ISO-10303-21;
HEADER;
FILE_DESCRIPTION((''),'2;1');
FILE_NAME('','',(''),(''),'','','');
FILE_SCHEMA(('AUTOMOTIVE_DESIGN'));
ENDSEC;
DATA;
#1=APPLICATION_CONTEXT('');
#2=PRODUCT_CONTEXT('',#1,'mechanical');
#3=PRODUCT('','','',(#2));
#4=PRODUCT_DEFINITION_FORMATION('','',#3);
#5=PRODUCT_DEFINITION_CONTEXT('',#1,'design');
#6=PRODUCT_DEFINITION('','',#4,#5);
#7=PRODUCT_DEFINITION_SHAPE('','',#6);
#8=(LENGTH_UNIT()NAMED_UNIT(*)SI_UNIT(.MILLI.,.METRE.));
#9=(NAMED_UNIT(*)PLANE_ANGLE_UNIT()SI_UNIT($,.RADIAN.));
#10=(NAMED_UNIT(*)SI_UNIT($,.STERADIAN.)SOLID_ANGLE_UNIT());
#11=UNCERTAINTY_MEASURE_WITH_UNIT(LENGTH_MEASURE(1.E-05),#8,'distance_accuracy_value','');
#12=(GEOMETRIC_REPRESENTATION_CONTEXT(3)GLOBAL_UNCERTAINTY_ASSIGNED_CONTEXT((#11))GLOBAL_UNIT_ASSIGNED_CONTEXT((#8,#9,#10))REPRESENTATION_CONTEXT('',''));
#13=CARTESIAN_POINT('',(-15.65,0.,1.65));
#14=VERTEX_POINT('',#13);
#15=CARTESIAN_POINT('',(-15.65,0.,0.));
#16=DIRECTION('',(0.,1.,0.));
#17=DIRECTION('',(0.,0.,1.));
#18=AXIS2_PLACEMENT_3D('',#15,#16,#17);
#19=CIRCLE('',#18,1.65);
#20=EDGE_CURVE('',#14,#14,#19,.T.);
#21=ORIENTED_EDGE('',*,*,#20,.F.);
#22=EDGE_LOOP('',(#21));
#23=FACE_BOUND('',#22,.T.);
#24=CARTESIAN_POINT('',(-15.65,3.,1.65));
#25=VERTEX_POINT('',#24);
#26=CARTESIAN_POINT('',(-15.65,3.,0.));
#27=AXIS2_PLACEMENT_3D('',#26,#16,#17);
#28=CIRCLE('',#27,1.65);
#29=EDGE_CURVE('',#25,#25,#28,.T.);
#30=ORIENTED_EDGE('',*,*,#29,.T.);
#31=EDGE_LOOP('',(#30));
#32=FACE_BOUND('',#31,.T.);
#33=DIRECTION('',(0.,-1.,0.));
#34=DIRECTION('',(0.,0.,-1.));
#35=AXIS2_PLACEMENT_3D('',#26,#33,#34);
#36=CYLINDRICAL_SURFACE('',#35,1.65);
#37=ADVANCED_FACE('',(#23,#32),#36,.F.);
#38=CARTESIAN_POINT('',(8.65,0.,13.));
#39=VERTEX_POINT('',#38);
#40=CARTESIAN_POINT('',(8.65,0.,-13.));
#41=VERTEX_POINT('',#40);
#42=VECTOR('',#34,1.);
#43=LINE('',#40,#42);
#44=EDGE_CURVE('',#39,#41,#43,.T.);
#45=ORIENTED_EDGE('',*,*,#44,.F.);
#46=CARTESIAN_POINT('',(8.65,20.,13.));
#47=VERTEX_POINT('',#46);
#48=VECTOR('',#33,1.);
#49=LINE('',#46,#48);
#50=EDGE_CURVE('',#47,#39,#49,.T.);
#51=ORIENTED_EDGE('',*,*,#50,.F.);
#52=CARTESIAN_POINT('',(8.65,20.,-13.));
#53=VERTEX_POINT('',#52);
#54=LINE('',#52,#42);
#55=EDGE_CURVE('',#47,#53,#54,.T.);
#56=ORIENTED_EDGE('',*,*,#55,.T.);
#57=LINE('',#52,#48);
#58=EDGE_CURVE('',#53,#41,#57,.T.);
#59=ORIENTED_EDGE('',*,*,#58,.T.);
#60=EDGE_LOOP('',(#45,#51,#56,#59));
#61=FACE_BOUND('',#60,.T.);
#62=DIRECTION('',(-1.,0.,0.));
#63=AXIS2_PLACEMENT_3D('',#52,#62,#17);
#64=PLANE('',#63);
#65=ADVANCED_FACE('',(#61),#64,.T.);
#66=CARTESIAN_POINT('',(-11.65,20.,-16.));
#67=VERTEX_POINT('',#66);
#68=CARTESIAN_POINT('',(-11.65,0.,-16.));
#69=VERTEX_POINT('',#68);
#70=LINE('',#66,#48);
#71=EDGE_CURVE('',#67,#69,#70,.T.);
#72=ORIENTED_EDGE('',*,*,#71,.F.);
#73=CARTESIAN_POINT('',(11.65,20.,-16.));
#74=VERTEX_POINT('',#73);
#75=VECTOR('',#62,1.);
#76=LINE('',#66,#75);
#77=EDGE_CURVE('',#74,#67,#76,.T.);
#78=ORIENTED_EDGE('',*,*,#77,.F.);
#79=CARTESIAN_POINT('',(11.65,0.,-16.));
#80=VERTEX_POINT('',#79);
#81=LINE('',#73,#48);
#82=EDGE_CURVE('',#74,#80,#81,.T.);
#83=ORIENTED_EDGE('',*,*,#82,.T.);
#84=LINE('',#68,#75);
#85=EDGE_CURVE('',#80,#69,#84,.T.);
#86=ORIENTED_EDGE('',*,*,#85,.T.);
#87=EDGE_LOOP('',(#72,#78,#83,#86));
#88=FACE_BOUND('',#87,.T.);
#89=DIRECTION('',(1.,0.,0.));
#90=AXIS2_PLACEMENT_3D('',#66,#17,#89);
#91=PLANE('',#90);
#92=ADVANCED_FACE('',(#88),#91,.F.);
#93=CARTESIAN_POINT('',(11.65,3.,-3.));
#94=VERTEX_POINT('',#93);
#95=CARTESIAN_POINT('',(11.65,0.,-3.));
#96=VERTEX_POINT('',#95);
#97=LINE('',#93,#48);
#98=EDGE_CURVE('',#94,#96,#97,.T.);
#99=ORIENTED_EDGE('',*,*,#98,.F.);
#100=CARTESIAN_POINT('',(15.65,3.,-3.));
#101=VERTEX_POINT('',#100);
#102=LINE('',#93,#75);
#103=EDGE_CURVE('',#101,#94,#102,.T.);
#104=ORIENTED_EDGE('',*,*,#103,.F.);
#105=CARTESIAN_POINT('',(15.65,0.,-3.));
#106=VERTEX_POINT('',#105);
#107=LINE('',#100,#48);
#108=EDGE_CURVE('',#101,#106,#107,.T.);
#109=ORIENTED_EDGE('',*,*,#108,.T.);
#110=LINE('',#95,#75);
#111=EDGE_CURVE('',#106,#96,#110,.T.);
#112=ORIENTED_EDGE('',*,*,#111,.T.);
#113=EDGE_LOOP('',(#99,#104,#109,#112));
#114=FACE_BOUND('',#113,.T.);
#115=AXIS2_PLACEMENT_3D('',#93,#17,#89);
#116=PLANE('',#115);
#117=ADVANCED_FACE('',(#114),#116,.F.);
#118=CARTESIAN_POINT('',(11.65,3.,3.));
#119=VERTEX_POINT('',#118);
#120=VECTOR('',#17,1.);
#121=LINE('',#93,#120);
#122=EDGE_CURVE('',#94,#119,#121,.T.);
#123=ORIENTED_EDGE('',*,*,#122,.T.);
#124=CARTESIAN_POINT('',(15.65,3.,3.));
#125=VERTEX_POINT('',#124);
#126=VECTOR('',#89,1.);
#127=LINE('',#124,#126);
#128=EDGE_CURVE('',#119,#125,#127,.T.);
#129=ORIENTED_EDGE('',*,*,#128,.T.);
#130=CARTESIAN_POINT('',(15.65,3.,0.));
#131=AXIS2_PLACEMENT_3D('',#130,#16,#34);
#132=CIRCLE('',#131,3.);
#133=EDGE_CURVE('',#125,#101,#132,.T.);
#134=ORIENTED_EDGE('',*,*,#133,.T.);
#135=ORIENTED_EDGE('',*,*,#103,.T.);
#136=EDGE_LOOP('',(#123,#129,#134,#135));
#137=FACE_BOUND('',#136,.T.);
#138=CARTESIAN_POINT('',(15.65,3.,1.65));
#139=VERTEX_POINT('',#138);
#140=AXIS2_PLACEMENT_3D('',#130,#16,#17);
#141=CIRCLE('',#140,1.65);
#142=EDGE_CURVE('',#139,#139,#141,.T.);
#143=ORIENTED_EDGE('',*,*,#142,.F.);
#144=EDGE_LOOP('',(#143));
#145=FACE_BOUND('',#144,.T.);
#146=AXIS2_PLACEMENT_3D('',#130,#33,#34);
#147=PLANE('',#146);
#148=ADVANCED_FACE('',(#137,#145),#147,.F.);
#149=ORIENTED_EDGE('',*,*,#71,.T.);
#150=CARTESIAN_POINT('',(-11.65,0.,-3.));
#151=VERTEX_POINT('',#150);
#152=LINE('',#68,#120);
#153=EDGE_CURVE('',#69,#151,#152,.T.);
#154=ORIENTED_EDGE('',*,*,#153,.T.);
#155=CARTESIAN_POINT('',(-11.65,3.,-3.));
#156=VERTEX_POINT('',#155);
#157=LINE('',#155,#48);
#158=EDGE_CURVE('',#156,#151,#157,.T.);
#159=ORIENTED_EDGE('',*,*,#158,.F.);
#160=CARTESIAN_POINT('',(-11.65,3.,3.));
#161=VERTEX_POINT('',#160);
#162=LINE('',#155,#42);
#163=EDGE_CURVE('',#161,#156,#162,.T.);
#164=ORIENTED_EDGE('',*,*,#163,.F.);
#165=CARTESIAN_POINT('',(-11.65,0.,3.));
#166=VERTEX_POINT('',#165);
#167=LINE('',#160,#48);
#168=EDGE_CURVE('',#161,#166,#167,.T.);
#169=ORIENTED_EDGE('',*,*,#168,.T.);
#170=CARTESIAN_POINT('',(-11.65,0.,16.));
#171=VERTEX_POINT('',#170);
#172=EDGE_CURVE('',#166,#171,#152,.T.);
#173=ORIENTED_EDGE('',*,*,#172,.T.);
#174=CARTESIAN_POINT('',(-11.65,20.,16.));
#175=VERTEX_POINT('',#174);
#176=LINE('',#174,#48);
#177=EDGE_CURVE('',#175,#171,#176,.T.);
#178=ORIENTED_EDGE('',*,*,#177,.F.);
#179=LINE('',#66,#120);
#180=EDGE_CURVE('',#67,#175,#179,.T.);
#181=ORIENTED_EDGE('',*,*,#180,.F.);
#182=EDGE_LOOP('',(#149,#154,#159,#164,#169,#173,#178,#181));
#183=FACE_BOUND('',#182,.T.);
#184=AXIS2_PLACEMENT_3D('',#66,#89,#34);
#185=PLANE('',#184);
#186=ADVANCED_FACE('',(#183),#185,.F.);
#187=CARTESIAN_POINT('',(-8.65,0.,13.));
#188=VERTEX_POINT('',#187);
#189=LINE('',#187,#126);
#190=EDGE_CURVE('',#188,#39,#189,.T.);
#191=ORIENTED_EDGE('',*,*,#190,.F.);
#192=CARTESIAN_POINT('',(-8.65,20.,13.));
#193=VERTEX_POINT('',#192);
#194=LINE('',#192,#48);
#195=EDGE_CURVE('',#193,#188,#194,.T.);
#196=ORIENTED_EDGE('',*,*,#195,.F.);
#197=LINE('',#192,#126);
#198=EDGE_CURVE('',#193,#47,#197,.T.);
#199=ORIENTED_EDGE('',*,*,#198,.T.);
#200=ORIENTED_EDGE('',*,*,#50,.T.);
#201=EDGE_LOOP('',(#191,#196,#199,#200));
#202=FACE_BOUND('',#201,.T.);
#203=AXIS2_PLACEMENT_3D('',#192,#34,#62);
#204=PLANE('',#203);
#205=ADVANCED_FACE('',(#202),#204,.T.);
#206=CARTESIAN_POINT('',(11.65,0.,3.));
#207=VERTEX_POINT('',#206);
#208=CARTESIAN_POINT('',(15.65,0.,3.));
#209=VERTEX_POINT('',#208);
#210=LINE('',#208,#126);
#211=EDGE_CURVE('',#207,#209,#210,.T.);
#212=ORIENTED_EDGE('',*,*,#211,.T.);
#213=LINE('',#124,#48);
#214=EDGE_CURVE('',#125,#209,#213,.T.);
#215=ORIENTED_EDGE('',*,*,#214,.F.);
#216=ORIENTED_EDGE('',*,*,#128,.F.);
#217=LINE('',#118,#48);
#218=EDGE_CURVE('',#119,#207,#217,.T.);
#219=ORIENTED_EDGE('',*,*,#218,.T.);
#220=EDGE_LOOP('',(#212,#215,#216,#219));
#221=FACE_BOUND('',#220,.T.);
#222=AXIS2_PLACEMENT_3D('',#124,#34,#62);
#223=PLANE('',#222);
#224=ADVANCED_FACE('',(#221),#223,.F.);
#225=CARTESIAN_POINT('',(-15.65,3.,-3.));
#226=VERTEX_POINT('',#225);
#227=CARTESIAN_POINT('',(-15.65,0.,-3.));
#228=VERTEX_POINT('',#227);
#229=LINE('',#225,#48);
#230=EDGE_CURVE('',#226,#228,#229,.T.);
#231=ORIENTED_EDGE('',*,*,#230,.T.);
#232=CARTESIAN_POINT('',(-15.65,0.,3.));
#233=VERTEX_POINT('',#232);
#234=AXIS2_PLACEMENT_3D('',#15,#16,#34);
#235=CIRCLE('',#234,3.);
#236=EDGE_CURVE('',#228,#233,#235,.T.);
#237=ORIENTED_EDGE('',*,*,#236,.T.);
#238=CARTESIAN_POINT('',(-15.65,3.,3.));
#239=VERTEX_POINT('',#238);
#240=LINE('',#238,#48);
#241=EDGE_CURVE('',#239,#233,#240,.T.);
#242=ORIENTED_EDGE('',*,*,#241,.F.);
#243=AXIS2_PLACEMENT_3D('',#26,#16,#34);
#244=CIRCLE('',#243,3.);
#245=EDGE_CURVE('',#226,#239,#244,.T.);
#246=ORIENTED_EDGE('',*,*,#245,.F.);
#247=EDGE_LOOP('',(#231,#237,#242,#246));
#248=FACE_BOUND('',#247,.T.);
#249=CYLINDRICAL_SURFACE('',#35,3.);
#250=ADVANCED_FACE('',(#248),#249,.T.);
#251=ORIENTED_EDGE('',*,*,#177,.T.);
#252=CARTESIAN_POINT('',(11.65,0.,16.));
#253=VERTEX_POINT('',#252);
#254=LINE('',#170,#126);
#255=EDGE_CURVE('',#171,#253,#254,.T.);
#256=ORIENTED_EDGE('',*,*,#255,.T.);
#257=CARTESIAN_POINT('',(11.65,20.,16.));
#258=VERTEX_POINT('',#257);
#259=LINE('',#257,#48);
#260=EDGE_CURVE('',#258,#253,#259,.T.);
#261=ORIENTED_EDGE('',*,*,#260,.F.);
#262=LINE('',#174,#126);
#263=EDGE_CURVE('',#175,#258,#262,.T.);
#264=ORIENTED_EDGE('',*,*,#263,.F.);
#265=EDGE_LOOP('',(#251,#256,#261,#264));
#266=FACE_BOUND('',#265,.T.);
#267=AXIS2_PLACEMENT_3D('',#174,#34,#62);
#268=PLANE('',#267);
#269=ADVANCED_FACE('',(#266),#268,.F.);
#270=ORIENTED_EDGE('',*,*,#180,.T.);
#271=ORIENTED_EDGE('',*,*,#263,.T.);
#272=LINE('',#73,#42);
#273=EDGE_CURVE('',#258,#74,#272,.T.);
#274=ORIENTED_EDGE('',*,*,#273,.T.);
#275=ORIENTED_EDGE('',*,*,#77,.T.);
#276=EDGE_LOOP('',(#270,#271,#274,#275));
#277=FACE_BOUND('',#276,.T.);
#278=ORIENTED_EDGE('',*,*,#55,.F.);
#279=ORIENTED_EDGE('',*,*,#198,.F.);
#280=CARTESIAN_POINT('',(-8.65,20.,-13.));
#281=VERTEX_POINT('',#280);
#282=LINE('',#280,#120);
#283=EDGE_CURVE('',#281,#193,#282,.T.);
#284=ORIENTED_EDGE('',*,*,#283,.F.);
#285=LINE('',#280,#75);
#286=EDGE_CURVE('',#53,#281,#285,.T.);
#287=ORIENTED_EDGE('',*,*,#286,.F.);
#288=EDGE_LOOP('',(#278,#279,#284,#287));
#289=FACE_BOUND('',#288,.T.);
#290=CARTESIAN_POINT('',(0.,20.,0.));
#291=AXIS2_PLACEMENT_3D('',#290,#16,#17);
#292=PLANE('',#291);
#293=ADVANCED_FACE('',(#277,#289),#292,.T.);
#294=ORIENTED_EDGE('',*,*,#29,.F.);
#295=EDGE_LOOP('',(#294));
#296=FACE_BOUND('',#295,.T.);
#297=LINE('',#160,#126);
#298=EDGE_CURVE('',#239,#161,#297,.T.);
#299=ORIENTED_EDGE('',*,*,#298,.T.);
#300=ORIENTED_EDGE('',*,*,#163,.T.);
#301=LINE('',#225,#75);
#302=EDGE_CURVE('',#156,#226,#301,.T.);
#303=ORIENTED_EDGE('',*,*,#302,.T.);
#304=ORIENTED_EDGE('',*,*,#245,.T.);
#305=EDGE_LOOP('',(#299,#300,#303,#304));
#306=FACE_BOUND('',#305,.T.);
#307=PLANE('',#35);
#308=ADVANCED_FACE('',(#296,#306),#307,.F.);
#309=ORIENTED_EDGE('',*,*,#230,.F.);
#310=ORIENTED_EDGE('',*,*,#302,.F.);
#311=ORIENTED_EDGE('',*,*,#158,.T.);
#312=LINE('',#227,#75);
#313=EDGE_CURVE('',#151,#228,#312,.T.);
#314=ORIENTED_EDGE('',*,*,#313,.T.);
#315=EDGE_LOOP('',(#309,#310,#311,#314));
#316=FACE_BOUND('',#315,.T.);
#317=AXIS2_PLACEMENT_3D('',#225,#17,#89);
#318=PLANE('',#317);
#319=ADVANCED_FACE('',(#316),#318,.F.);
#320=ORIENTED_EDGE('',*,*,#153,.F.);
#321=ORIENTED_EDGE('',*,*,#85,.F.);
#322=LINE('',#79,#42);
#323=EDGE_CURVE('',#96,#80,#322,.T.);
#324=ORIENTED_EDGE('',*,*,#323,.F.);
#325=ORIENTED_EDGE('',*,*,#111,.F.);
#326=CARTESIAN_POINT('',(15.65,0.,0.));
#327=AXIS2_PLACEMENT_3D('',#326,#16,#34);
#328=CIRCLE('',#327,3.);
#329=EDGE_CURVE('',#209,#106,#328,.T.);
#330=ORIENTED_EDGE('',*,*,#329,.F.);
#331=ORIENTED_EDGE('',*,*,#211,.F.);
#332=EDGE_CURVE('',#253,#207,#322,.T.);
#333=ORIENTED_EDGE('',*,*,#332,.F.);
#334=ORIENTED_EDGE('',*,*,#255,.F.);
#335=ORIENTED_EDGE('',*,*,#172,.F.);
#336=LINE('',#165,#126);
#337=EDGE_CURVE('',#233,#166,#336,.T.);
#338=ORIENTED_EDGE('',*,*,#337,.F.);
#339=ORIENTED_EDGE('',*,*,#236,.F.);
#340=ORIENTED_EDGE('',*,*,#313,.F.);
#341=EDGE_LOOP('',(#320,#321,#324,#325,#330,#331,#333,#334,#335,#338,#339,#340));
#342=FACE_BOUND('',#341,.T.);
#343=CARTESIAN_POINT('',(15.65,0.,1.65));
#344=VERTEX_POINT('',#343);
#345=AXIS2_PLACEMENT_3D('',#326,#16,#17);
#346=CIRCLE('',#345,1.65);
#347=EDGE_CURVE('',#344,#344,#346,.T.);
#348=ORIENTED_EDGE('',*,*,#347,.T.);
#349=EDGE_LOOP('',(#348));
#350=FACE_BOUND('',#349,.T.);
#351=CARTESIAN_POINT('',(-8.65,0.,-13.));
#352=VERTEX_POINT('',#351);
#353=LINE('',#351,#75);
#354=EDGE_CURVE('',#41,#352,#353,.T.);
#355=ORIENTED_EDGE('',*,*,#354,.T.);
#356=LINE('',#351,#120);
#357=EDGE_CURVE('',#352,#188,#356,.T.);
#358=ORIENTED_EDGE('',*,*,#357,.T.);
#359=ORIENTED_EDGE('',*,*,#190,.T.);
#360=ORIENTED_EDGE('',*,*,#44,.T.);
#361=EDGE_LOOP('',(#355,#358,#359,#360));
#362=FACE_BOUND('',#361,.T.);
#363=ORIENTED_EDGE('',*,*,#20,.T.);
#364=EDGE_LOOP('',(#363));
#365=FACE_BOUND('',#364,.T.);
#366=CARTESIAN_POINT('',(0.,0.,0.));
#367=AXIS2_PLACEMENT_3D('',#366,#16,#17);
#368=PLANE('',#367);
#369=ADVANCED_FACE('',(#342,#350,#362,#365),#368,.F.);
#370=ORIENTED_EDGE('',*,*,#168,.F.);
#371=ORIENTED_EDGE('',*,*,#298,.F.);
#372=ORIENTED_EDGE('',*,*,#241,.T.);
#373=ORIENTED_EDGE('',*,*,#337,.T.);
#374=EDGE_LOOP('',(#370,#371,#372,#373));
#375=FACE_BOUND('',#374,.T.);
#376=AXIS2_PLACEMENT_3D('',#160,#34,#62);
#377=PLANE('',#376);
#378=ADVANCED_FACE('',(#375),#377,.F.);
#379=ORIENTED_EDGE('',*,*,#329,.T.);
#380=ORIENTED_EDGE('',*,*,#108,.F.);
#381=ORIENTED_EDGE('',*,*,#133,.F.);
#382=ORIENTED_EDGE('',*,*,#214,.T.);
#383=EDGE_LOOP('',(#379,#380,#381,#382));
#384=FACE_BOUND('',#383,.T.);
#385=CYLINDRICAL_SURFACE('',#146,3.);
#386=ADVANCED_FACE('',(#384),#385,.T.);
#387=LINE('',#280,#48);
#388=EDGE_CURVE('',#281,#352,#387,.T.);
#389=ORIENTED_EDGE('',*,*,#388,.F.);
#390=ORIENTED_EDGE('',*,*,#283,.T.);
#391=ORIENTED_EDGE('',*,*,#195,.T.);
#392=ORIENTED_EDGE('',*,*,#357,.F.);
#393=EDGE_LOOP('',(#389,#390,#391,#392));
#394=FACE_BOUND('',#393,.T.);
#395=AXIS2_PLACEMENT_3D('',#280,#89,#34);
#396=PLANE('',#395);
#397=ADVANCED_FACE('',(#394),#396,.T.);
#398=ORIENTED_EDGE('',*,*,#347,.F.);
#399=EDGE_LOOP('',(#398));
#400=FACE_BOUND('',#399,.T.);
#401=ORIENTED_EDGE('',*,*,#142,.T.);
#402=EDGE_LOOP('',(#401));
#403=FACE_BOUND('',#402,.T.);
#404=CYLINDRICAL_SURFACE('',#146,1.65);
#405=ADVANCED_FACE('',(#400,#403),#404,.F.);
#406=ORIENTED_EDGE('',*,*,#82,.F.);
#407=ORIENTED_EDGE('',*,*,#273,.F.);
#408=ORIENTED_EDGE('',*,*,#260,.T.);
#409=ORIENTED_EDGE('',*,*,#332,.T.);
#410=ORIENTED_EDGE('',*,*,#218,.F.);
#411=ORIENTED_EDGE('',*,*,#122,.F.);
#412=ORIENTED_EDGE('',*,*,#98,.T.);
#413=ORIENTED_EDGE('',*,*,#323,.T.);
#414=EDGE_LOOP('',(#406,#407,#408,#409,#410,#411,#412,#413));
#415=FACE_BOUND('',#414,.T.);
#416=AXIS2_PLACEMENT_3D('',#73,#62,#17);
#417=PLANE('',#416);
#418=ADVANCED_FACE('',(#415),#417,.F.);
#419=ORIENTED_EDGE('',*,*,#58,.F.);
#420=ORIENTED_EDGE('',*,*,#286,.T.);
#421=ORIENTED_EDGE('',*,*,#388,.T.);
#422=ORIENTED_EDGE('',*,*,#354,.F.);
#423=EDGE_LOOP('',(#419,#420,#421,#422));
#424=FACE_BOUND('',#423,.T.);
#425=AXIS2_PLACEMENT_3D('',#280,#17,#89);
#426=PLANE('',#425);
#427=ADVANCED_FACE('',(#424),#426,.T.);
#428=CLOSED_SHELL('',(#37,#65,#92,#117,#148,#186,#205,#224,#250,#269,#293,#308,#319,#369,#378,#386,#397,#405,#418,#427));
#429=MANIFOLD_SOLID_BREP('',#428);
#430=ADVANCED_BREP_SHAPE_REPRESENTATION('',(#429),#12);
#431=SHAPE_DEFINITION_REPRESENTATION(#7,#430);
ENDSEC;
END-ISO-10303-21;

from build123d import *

# Parameters (mm, degrees)
SKETCH1_W           = 23.3
SKETCH1_H           = 32
SKETCH1_W_2         = 17.3
SKETCH1_H_2         = 26
BOSS_EXTRUDE1_DEPTH = 20
SKETCH3_R           = 1.65
BOSS_EXTRUDE2_DEPTH = 3


with BuildPart() as part:
    # Sketch1 → Boss-Extrude1 (new body)
    with BuildSketch(Plane(origin=(0, 0, 0), x_dir=(1, 0, 0), z_dir=(0, 1, 0))):
        Rectangle(SKETCH1_W, SKETCH1_H)
        Rectangle(SKETCH1_W_2, SKETCH1_H_2, mode=Mode.SUBTRACT)
    extrude(amount=BOSS_EXTRUDE1_DEPTH)

    # Sketch3 → Boss-Extrude2 (add)
    with BuildSketch(Plane(origin=(0, 0, 0), x_dir=(1, 0, 0), z_dir=(0, 1, 0))):
        with BuildLine():
            Line((11.65, 3), (15.65, 3))
            ThreePointArc((15.65, 3), (18.65, 0), (15.65, -3))
            Line((15.65, -3), (11.65, -3))
            Line((11.65, -3), (11.65, 3))
        make_face()
        with Locations((15.65, 0)):
            Circle(SKETCH3_R, mode=Mode.SUBTRACT)
        with BuildLine():
            Line((-11.65, -3), (-15.65, -3))
            ThreePointArc((-15.65, -3), (-18.65, 0), (-15.65, 3))
            Line((-15.65, 3), (-11.65, 3))
            Line((-11.65, 3), (-11.65, -3))
        make_face()
        with Locations((-15.65, 0)):
            Circle(SKETCH3_R, mode=Mode.SUBTRACT)
    extrude(amount=BOSS_EXTRUDE2_DEPTH)


solid = part.part
